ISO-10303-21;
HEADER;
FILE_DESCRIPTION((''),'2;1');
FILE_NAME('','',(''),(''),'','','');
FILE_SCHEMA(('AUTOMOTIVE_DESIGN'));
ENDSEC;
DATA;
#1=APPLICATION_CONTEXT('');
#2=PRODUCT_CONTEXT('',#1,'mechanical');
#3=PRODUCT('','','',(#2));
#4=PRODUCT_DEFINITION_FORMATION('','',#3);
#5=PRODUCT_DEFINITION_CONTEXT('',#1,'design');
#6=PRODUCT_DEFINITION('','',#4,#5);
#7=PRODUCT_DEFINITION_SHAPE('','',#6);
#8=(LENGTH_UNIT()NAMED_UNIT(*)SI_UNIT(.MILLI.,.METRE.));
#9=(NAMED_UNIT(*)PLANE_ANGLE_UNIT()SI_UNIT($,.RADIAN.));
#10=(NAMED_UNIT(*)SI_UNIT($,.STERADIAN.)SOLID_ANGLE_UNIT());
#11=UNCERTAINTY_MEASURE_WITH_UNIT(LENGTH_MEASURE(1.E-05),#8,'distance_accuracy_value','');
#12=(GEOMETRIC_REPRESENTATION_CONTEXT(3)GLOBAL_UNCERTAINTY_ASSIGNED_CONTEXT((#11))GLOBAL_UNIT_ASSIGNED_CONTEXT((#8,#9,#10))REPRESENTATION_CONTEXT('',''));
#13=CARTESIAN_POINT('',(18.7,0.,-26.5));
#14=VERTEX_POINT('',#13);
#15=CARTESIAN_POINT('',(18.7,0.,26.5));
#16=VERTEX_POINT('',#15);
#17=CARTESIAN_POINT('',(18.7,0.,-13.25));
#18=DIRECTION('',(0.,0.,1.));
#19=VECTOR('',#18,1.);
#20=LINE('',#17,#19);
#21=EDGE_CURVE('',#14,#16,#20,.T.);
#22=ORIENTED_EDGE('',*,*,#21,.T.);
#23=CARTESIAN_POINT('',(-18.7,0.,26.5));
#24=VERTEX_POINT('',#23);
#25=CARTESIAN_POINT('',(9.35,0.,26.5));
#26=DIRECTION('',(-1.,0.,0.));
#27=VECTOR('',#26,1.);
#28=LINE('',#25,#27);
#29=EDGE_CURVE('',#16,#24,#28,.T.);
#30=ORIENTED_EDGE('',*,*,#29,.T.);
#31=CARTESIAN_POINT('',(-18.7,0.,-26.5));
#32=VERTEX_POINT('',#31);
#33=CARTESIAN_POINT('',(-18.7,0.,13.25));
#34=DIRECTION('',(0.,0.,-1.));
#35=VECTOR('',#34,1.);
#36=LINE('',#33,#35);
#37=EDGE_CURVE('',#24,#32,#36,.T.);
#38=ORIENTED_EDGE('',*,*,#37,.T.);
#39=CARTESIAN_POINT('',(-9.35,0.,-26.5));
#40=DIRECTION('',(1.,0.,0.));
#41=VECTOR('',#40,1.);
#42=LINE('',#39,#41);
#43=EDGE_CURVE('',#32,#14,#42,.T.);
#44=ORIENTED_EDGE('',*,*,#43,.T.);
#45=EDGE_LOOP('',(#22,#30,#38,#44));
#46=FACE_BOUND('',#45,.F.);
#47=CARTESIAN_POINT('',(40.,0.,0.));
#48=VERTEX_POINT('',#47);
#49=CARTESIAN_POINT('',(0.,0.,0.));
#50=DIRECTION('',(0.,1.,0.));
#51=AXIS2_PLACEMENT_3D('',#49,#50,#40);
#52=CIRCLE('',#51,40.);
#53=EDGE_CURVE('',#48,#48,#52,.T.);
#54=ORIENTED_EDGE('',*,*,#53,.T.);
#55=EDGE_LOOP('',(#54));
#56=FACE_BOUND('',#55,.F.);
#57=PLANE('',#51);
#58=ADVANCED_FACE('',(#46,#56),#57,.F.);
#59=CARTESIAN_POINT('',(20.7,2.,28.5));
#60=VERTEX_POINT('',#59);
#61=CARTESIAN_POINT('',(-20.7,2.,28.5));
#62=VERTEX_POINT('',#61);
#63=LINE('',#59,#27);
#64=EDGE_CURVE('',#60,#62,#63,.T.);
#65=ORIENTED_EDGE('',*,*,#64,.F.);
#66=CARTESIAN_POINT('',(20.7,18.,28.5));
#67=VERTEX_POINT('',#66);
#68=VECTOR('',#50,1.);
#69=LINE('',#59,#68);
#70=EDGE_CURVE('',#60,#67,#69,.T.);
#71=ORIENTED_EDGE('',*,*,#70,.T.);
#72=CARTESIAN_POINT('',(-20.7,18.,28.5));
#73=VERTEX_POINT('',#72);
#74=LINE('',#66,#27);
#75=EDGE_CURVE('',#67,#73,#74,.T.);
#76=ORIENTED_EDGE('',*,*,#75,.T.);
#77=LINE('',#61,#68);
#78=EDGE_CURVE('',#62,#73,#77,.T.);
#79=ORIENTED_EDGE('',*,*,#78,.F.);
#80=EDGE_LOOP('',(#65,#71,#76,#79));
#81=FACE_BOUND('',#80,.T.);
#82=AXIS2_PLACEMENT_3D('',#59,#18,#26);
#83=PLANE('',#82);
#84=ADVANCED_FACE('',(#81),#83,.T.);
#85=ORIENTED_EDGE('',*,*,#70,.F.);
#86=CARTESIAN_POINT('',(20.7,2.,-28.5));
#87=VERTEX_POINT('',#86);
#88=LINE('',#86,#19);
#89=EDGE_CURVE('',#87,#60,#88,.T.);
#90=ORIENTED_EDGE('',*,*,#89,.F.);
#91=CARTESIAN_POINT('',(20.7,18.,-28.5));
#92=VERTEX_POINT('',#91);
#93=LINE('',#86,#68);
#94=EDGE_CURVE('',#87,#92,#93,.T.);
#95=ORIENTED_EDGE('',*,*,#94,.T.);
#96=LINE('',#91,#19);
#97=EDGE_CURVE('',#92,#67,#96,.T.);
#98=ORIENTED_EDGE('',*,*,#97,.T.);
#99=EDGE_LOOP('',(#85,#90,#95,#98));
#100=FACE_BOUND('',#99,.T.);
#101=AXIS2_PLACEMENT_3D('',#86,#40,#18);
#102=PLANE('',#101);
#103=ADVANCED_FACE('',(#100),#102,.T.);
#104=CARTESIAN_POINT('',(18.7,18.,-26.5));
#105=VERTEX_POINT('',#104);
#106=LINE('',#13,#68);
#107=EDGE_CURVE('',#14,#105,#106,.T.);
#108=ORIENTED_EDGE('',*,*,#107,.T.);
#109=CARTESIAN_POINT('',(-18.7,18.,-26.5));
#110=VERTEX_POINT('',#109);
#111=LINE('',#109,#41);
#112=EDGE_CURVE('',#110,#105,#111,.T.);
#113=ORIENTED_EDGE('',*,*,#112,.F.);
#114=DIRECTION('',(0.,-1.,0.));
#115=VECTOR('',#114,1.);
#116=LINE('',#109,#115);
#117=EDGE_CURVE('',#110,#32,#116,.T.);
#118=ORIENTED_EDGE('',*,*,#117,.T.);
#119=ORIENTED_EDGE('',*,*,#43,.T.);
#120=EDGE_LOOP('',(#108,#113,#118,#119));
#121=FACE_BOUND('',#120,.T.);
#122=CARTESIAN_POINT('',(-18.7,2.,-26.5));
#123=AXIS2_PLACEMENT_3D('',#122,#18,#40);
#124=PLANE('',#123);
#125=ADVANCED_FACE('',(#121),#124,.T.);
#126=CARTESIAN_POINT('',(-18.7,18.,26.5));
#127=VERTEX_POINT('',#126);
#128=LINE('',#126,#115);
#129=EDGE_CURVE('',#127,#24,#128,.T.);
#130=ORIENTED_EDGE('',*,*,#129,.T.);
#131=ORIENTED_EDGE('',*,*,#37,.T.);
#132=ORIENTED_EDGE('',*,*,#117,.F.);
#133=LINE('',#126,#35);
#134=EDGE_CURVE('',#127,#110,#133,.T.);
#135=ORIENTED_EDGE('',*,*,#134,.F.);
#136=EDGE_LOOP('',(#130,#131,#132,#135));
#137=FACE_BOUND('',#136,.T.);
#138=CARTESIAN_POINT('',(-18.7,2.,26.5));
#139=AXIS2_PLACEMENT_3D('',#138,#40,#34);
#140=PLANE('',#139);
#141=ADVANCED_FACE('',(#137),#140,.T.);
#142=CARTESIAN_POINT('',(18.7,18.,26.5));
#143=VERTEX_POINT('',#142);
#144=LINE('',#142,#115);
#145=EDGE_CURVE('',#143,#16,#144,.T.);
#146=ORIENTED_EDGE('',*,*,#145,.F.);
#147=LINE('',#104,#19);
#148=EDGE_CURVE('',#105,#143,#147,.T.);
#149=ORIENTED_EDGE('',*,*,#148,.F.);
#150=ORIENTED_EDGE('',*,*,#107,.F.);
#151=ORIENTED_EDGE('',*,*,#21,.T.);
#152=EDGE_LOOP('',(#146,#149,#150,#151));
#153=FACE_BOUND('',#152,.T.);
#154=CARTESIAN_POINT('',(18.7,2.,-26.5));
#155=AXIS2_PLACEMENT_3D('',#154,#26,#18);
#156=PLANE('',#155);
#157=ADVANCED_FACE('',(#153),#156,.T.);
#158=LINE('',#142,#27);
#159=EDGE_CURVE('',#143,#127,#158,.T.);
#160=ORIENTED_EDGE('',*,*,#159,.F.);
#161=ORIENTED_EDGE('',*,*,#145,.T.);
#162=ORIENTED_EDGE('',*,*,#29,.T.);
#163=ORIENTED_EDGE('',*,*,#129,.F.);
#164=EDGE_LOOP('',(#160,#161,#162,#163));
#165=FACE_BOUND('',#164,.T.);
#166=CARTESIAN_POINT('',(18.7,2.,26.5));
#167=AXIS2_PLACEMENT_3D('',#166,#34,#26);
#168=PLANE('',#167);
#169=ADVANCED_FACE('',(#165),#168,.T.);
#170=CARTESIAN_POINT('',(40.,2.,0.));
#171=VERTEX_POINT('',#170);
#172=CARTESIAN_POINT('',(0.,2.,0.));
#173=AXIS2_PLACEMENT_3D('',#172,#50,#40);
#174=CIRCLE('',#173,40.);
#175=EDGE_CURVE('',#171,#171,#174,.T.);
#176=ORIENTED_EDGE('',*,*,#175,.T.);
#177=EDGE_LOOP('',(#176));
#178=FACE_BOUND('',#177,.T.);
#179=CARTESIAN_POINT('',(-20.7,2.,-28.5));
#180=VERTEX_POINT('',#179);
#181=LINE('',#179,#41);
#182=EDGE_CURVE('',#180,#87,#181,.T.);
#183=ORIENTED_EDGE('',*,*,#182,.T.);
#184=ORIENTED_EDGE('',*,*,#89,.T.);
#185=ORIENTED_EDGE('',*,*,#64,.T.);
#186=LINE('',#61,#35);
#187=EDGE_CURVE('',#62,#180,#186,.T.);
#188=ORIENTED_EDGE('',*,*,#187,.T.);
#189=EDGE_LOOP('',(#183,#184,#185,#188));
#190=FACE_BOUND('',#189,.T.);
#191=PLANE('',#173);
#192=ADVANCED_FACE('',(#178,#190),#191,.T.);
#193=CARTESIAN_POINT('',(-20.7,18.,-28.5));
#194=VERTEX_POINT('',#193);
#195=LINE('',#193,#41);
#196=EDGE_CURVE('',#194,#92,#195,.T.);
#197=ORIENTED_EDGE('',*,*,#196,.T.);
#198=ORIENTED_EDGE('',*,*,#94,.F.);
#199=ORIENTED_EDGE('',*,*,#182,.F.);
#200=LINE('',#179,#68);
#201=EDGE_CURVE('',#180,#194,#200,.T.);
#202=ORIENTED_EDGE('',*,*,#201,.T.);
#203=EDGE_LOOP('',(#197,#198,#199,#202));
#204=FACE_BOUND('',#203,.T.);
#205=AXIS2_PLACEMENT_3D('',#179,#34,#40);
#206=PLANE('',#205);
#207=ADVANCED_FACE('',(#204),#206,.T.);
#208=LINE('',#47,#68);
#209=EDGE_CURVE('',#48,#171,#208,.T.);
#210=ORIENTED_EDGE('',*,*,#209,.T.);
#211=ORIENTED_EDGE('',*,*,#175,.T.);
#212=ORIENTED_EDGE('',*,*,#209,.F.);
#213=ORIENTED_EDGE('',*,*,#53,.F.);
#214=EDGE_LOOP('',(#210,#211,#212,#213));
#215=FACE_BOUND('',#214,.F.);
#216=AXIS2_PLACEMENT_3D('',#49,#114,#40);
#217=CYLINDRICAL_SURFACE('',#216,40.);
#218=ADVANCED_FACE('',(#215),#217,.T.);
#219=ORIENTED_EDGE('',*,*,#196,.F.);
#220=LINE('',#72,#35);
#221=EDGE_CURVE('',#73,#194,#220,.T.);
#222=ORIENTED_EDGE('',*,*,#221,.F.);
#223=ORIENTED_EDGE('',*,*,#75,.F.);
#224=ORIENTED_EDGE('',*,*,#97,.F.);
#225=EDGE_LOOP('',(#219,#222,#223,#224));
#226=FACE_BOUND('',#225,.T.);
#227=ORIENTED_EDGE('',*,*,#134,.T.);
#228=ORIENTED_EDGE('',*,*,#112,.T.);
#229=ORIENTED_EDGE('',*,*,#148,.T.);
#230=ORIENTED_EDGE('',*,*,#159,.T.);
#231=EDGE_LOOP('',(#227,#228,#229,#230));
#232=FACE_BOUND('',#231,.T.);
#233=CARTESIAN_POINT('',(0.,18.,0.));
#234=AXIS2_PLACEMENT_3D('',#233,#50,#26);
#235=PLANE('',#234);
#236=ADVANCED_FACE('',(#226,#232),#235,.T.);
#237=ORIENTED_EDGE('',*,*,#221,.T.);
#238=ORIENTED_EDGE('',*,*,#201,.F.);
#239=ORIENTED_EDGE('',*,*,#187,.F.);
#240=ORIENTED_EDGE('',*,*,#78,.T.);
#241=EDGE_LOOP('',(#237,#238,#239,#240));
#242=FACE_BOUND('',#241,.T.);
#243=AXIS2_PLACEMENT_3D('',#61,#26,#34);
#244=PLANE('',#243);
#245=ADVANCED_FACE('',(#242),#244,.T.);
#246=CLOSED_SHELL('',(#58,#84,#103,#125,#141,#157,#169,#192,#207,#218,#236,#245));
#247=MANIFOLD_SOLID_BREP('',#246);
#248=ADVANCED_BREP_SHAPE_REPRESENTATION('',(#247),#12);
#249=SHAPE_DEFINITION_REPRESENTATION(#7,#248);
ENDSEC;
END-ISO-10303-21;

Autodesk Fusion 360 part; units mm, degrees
sketch "Sketch1" plane through (0, 0, 0) normal (0, 1, 0) x (1, 0, 0)
  circle A0 centre (0, 0) radius 40
  line L0 (26.5, -18.7) -> (-26.5, -18.7)
  line L1 (-26.5, -18.7) -> (-26.5, 18.7)
  line L2 (-26.5, 18.7) -> (26.5, 18.7)
  line L3 (26.5, -18.7) -> (-26.5, 18.7) construction
  line L4 (-26.5, -18.7) -> (26.5, 18.7) construction
  line L5 (-28.5, 20.7) -> (28.5, 20.7)
  line L6 (28.5, -20.7) -> (-28.5, -20.7)
  dimension "d1" = 80
  dimension "d2" = 37.4
  dimension "d3" = 53
  dimension "d5" = 37.4
  dimension "d6" = 53
extrude "Extrude1" add sketch "Sketch1" along normal blind 2
sketch "Sketch2" plane through (0, 2, 0) normal (0, 1, 0) x (-1, 0, 0)
  circle A0 centre (0, 0) radius 40
  line L0 (-18.7, 26.5) -> (18.7, 26.5)
  line L1 (18.7, 26.5) -> (18.7, -26.5)
  line L2 (18.7, -26.5) -> (-18.7, -26.5)
  line L3 (-18.7, -26.5) -> (-18.7, 26.5)
  line L4 (-18.7, 26.5) -> (18.7, -26.5) construction
  line L5 (18.7, 26.5) -> (-18.7, -26.5) construction
  line L6 (20.7, 28.5) -> (20.7, -28.5)
  line L7 (20.7, -28.5) -> (-20.7, -28.5)
  line L8 (-20.7, -28.5) -> (-20.7, 28.5)
  line L9 (-20.7, 28.5) -> (20.7, 28.5)
  dimension "d9" = 37.4
  dimension "d10" = 53
  dimension "d11" = -2
extrude "Extrude2" add sketch "Sketch2" along normal blind 16 contours L6 L7 L8 L9
extrude "Extrude3" cut 1 faces at (-6.2333, 2, -8.8333) along direction (0, -1, 0) blind 13
